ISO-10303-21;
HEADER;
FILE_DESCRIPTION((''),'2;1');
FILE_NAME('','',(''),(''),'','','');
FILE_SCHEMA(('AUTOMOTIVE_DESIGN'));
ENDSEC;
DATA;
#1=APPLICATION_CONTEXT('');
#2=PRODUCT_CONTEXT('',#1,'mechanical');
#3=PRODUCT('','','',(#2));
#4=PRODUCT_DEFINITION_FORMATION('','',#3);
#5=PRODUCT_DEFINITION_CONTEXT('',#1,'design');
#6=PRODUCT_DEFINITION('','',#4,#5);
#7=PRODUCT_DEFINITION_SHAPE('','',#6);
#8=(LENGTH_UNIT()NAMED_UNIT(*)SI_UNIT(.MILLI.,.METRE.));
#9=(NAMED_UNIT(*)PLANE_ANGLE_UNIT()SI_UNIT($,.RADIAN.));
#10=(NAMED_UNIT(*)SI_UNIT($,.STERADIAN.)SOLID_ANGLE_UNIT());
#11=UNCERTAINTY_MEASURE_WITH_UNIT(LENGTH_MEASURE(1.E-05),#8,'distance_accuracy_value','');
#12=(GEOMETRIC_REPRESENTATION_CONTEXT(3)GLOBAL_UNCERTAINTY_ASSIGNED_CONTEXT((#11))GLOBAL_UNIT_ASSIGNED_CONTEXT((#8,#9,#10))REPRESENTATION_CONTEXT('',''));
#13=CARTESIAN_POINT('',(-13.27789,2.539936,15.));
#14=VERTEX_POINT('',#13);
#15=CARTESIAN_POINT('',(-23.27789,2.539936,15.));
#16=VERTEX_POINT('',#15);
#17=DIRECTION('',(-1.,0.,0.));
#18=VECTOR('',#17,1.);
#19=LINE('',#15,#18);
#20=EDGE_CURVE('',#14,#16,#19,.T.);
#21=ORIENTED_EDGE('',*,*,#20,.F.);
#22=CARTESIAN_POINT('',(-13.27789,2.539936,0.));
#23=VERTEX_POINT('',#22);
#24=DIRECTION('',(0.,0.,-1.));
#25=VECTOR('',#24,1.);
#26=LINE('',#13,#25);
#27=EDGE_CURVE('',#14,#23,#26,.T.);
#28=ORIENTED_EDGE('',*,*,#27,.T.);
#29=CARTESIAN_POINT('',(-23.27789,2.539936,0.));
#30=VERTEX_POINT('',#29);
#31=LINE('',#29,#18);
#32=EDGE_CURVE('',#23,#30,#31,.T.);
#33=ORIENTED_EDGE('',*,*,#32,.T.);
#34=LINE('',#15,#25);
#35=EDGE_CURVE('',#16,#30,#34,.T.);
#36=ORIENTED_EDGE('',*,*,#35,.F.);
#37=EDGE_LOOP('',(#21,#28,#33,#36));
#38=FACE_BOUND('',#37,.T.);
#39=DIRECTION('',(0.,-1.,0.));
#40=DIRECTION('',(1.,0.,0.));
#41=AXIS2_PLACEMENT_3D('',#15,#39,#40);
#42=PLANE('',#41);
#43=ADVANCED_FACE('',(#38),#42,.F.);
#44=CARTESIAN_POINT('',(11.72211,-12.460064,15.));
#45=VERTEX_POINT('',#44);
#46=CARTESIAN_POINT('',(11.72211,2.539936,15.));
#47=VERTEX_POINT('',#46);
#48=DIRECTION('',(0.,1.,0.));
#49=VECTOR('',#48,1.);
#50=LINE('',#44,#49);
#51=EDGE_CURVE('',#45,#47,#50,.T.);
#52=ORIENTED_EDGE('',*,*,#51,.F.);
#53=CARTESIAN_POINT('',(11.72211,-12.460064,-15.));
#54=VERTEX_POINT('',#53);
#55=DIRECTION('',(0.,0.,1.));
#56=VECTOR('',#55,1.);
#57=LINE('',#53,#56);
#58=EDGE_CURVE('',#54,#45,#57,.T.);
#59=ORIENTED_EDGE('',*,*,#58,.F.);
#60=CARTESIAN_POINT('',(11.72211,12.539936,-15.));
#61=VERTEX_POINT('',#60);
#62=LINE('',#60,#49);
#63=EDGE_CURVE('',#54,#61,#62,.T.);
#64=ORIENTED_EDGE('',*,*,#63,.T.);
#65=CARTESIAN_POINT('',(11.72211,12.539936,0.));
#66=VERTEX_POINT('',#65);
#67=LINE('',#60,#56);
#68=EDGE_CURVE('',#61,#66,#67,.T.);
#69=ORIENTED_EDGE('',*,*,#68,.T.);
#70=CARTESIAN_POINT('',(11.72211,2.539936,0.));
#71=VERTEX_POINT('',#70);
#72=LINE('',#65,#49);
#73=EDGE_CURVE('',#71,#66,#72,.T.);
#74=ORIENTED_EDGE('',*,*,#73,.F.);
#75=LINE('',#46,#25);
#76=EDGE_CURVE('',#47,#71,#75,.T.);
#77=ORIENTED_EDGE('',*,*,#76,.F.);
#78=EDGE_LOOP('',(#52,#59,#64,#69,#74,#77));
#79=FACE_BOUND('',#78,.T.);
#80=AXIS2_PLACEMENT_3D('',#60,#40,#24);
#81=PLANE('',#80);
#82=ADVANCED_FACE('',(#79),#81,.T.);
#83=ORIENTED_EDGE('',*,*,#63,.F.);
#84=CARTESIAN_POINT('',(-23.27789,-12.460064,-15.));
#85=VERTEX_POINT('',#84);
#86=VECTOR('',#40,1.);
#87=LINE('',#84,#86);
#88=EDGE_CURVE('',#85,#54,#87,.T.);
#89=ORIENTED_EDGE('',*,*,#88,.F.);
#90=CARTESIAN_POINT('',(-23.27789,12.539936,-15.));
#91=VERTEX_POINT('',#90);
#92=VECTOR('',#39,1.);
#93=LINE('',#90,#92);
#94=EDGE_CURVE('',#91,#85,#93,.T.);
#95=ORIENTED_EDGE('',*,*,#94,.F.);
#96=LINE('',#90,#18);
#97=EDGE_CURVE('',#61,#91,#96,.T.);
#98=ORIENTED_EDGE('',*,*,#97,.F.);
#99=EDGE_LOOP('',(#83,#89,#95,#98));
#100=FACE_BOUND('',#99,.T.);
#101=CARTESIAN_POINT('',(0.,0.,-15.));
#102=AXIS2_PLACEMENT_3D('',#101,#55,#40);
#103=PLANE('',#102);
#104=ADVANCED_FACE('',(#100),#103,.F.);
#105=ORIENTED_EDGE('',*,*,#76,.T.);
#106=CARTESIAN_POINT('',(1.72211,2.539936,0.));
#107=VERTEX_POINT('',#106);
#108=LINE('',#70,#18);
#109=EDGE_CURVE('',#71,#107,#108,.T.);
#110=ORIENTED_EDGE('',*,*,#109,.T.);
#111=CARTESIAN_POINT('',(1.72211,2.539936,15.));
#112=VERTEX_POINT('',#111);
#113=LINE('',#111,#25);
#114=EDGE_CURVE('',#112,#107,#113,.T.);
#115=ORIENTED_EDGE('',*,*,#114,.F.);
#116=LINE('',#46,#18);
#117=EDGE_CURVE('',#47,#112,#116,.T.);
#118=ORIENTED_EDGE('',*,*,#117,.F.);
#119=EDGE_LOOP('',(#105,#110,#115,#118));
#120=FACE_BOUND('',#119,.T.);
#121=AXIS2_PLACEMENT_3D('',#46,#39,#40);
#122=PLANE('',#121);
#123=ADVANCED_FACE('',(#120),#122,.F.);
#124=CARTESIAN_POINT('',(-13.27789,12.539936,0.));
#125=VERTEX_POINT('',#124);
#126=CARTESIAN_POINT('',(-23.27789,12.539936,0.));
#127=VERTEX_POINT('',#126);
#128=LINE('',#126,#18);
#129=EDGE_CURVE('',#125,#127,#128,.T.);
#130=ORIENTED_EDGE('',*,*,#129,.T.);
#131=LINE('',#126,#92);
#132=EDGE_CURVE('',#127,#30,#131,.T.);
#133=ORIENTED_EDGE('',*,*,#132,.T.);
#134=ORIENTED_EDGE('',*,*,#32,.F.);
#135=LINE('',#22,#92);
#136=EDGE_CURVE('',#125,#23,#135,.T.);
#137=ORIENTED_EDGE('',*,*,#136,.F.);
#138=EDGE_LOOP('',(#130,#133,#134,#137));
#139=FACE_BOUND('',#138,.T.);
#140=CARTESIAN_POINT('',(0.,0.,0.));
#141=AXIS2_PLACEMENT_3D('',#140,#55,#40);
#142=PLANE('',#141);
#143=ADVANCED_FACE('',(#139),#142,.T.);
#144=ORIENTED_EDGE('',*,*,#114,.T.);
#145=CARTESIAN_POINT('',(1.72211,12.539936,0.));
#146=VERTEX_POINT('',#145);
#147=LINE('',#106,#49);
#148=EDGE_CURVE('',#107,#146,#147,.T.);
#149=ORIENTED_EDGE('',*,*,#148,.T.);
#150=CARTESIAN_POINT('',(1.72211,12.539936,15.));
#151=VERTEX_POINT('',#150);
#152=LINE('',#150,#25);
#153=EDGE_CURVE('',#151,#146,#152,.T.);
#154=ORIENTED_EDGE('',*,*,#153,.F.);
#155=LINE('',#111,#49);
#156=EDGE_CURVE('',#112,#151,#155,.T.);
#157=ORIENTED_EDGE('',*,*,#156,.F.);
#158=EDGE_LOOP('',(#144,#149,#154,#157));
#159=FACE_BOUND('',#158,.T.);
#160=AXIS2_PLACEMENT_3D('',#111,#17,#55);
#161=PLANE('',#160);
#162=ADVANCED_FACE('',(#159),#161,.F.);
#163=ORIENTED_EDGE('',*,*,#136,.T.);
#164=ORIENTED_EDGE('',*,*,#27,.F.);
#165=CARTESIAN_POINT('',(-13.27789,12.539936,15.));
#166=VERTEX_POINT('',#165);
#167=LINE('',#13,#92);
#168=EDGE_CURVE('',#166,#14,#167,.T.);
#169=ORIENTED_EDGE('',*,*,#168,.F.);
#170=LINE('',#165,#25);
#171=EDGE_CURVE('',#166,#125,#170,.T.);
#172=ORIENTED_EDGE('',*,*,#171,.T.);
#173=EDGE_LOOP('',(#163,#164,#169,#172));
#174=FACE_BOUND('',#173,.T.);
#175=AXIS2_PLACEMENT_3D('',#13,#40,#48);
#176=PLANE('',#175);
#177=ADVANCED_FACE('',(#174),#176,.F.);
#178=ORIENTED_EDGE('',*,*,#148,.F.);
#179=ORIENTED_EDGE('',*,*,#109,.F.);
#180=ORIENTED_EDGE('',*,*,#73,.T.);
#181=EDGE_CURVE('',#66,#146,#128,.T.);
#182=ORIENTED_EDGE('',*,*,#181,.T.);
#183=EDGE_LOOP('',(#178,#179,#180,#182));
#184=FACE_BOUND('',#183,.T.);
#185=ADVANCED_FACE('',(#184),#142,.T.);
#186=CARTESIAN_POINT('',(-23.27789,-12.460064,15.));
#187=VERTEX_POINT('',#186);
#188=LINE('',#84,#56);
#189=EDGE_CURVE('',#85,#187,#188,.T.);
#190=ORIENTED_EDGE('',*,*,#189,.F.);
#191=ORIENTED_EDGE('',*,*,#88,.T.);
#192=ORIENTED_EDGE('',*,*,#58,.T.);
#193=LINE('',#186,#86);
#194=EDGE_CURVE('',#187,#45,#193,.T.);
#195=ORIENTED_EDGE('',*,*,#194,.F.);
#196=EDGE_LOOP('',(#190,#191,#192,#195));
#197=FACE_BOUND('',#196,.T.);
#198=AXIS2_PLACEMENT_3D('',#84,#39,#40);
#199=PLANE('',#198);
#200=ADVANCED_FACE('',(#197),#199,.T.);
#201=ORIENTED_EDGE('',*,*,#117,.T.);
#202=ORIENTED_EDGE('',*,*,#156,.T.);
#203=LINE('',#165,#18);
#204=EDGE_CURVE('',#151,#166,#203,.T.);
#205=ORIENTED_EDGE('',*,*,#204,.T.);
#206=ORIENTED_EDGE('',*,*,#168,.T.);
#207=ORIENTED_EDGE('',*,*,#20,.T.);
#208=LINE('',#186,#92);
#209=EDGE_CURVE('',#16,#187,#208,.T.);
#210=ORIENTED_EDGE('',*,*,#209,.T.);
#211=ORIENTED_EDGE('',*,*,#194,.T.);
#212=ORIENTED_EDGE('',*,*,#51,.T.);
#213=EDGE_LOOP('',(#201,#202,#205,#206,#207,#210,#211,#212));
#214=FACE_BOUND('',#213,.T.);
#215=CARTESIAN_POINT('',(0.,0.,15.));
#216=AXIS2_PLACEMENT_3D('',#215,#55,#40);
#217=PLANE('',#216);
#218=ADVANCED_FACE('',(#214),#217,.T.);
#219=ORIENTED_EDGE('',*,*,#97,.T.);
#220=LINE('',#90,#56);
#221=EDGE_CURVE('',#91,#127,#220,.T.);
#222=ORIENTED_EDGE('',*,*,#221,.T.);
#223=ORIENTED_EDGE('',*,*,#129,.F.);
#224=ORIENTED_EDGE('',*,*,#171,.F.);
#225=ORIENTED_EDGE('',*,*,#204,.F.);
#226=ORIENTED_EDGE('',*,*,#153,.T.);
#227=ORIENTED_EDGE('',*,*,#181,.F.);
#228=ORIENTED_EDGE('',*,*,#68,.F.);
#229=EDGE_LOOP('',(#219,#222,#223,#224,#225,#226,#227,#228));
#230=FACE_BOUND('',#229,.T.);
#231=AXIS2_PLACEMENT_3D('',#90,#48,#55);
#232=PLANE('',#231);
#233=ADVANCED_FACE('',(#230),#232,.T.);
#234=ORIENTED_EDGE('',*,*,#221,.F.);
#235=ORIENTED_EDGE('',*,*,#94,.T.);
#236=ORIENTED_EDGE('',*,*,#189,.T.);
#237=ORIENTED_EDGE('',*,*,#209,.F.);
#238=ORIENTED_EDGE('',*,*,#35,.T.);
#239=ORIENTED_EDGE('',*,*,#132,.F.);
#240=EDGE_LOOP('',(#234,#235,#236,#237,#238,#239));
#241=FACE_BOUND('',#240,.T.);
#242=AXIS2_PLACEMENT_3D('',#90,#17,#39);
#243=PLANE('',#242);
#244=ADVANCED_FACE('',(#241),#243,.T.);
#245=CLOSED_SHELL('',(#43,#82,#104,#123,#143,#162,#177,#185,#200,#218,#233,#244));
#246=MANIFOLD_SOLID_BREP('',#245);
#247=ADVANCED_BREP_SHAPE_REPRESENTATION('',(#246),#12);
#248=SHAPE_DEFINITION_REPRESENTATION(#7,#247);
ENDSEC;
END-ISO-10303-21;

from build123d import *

# Parameters (mm, degrees)
SKETCH1_W           = 35
SKETCH1_H           = 25
BOSS_EXTRUDE1_DEPTH = 15
BOSS_EXTRUDE2_DEPTH = 15


with BuildPart() as part:
    # Sketch1 → Boss-Extrude1 (new body)
    with BuildSketch(Plane.XY):
        with Locations((-5.777889773, 0.039936102)):
            Rectangle(SKETCH1_W, SKETCH1_H)
    extrude(amount=-BOSS_EXTRUDE1_DEPTH)

    # Sketch2 → Boss-Extrude2 (add)
    with BuildSketch(Plane.XY):
        Polygon((-13.277889773, 12.539936102), (1.722110227, 12.539936102), (1.722110227, 2.539936102), (11.722110227, 2.539936102), (11.722110227, -12.460063898), (-23.277889773, -12.460063898), (-23.277889773, 2.539936102), (-13.277889773, 2.539936102), align=None)
    extrude(amount=BOSS_EXTRUDE2_DEPTH)


solid = part.part
